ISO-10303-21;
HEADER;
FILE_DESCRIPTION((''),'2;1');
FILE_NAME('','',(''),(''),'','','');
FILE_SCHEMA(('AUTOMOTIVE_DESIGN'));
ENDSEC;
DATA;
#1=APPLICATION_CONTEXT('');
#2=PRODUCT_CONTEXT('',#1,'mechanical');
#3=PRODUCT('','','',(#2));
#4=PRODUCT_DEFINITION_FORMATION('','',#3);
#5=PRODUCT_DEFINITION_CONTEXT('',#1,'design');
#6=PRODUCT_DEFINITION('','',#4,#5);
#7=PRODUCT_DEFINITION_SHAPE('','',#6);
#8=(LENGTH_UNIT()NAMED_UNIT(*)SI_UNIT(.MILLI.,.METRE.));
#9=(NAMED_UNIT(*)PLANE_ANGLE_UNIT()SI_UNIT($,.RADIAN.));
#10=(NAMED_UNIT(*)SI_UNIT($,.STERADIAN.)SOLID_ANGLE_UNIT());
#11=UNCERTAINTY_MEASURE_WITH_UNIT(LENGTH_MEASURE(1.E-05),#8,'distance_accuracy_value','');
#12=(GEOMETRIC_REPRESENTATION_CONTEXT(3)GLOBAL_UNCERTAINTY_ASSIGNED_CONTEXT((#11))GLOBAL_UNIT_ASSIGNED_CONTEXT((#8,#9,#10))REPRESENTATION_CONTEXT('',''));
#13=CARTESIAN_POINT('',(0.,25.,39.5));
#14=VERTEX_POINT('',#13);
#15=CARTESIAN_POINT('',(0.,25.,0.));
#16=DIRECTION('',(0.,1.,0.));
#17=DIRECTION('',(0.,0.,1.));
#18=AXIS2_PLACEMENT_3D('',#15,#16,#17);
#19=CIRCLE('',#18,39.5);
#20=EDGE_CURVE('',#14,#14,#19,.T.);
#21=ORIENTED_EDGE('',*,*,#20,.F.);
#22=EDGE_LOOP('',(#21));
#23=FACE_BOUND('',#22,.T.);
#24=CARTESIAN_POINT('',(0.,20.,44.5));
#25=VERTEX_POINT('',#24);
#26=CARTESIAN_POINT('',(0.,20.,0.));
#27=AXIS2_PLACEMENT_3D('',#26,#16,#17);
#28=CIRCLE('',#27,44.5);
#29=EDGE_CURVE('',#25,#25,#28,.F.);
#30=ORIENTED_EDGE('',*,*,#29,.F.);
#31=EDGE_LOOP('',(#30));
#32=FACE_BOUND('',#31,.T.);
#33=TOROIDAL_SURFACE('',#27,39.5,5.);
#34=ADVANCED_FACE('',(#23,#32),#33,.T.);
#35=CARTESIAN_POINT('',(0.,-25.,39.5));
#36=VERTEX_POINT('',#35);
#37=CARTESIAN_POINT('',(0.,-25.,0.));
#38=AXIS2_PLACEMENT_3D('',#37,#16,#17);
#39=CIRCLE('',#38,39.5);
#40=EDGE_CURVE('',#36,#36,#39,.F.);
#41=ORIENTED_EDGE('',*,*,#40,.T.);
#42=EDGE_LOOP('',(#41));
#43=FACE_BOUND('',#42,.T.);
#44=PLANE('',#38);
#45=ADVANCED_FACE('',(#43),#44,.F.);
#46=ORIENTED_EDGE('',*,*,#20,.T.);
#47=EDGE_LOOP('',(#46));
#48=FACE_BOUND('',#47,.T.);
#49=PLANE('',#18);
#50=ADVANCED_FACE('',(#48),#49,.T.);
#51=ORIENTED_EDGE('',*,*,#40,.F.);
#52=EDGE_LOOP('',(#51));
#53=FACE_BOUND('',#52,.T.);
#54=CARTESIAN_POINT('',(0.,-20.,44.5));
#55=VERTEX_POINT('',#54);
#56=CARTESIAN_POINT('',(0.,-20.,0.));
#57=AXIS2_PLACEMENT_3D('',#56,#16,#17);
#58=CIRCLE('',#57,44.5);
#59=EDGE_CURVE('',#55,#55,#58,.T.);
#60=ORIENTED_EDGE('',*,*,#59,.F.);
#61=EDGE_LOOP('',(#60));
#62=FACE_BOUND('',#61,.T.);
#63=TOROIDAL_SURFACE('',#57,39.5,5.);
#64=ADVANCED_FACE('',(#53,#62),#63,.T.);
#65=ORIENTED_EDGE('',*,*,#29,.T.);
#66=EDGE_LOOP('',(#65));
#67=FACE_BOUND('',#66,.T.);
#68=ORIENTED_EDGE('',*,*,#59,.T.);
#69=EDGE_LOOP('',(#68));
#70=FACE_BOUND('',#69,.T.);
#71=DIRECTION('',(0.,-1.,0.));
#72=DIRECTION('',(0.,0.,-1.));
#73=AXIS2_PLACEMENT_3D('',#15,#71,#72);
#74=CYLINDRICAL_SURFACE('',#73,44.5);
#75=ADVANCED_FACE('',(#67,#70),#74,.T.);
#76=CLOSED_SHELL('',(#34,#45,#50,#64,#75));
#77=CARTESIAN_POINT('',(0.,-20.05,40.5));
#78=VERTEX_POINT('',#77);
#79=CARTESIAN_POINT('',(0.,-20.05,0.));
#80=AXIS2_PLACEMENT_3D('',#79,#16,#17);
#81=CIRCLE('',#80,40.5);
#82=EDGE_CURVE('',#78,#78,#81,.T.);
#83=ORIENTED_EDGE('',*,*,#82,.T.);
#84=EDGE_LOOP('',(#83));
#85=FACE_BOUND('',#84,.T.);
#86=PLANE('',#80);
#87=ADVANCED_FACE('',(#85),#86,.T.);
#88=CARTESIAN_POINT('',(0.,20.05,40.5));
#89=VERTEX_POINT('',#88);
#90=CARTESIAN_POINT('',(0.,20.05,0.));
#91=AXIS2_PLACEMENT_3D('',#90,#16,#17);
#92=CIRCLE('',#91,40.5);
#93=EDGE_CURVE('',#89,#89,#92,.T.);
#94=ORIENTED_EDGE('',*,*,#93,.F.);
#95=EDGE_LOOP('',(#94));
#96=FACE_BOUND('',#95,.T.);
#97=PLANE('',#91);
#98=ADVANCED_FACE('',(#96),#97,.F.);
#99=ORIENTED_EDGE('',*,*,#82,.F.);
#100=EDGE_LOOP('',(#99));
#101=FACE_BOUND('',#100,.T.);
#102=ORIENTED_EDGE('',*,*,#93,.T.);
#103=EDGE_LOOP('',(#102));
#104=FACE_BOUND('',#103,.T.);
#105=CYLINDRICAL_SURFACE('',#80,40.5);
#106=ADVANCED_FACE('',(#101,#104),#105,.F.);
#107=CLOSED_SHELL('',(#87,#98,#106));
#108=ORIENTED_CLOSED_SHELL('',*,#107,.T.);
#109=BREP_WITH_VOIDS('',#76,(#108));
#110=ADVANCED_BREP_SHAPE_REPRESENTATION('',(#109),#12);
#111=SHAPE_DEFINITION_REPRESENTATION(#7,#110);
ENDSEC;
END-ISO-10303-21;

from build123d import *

# Parameters (mm, degrees)
SKETCH_1_R          = 44.5
EXTRUDE_1_DEPTH     = 25
FILLET_1_R          = 5
SKETCH_9_R          = 40.5
CUT_EXTRUDE_1_DEPTH = 20.05


with BuildPart() as part:
    # 草图1 → 凸台-拉伸1 (new body, symmetric)
    with BuildSketch(Plane(origin=(0, 0, 0), x_dir=(1, 0, 0), z_dir=(0, 1, 0))):
        Circle(SKETCH_1_R)
    extrude(amount=EXTRUDE_1_DEPTH, both=True)

    # 圆角1
    fillet_1_edges = [part.edges().sort_by_distance(p)[0] for p in [
        (-44.5, -25, 0),
        (-44.5, 25, 0),
    ]]
    fillet(fillet_1_edges, radius=FILLET_1_R)

    # 草图9 → 切除-拉伸1 (cut, symmetric)
    with BuildSketch(Plane(origin=(0, 0, 0), x_dir=(1, 0, 0), z_dir=(0, 1, 0))):
        Circle(SKETCH_9_R)
    extrude(amount=CUT_EXTRUDE_1_DEPTH, both=True, mode=Mode.SUBTRACT)


solid = part.part
